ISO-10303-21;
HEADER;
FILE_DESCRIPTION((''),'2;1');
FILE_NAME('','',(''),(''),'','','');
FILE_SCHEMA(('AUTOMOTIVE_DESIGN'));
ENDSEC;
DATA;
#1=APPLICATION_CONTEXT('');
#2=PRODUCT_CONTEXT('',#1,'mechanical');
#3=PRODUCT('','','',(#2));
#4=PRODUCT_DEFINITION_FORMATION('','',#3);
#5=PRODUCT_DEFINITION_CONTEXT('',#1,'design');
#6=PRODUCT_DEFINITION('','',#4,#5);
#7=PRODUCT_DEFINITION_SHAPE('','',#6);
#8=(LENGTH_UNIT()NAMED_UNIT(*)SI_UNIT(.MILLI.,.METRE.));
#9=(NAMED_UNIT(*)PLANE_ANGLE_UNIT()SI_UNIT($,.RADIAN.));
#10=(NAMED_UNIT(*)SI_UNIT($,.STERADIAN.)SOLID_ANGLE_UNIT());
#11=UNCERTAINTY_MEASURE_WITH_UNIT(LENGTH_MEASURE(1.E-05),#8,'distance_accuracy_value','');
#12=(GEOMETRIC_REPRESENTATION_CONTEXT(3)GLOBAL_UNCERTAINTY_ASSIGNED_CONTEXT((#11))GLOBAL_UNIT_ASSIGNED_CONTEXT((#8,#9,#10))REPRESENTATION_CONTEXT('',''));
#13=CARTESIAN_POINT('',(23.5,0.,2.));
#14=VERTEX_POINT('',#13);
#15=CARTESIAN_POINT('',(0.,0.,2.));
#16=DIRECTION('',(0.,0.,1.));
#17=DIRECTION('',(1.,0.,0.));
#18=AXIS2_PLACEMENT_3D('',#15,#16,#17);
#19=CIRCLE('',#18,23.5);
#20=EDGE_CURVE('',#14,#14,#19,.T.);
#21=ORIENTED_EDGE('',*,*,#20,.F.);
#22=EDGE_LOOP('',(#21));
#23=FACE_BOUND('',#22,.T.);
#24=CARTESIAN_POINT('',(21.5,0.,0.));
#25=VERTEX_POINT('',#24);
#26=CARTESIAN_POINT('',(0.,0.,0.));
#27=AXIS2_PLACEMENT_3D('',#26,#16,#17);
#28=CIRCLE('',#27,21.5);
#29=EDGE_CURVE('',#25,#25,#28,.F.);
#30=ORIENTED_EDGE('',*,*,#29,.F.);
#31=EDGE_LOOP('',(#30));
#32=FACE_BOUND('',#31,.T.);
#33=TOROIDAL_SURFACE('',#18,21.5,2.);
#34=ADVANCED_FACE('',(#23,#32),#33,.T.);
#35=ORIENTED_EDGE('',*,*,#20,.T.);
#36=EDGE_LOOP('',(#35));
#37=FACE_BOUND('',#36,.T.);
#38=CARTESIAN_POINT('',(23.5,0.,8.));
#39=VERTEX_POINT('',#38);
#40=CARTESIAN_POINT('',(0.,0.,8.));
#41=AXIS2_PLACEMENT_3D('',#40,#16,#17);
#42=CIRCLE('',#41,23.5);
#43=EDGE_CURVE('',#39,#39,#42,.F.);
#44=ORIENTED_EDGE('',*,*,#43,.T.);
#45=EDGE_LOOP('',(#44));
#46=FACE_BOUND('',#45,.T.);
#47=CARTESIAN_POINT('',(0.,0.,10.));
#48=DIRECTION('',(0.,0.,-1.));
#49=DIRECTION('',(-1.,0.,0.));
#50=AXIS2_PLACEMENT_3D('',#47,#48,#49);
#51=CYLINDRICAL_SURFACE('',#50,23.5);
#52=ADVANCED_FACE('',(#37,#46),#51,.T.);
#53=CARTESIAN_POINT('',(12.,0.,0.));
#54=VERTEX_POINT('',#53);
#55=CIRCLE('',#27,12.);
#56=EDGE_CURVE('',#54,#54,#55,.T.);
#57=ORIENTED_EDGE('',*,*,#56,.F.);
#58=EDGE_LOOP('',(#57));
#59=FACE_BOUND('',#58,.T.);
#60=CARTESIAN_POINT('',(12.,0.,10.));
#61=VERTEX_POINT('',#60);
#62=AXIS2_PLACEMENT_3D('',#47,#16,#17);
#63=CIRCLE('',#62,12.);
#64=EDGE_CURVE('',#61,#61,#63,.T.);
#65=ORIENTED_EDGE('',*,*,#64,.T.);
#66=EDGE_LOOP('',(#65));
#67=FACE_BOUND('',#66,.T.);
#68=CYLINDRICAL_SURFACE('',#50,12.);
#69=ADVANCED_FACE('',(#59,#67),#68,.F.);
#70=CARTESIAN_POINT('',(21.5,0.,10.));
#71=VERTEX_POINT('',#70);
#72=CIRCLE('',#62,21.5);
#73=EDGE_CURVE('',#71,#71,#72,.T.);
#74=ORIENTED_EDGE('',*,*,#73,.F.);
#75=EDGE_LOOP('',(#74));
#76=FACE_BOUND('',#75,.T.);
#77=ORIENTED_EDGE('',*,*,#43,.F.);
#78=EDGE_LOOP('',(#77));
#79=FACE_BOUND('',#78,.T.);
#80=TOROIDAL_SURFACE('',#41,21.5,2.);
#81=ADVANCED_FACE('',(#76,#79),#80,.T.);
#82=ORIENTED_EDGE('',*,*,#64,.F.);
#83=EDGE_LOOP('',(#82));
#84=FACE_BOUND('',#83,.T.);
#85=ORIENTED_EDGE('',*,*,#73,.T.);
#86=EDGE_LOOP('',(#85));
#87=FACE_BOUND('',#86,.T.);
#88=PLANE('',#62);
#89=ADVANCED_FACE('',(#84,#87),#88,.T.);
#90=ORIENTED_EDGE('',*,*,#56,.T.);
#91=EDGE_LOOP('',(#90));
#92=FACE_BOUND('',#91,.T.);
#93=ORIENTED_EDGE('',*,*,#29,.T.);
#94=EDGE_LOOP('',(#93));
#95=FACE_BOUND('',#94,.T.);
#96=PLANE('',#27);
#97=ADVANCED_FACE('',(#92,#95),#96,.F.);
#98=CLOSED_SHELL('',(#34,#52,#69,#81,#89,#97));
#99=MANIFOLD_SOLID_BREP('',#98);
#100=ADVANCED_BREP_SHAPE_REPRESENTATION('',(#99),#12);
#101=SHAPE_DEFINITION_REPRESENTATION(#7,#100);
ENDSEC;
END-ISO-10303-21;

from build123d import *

# Parameters (mm, degrees)
SKETCH1_R           = 23.5
SKETCH1_R_2         = 12
BOSS_EXTRUDE1_DEPTH = 10
FILLET1_R           = 2


with BuildPart() as part:
    # Sketch1 → Boss-Extrude1 (new body)
    with BuildSketch(Plane.XY):
        Circle(SKETCH1_R)
        Circle(SKETCH1_R_2, mode=Mode.SUBTRACT)
    extrude(amount=BOSS_EXTRUDE1_DEPTH)

    # Fillet1
    fillet1_edges = [part.edges().sort_by_distance(p)[0] for p in [
        (-23.5, 0, 0),
        (-23.5, 0, 10),
    ]]
    fillet(fillet1_edges, radius=FILLET1_R)


solid = part.part
